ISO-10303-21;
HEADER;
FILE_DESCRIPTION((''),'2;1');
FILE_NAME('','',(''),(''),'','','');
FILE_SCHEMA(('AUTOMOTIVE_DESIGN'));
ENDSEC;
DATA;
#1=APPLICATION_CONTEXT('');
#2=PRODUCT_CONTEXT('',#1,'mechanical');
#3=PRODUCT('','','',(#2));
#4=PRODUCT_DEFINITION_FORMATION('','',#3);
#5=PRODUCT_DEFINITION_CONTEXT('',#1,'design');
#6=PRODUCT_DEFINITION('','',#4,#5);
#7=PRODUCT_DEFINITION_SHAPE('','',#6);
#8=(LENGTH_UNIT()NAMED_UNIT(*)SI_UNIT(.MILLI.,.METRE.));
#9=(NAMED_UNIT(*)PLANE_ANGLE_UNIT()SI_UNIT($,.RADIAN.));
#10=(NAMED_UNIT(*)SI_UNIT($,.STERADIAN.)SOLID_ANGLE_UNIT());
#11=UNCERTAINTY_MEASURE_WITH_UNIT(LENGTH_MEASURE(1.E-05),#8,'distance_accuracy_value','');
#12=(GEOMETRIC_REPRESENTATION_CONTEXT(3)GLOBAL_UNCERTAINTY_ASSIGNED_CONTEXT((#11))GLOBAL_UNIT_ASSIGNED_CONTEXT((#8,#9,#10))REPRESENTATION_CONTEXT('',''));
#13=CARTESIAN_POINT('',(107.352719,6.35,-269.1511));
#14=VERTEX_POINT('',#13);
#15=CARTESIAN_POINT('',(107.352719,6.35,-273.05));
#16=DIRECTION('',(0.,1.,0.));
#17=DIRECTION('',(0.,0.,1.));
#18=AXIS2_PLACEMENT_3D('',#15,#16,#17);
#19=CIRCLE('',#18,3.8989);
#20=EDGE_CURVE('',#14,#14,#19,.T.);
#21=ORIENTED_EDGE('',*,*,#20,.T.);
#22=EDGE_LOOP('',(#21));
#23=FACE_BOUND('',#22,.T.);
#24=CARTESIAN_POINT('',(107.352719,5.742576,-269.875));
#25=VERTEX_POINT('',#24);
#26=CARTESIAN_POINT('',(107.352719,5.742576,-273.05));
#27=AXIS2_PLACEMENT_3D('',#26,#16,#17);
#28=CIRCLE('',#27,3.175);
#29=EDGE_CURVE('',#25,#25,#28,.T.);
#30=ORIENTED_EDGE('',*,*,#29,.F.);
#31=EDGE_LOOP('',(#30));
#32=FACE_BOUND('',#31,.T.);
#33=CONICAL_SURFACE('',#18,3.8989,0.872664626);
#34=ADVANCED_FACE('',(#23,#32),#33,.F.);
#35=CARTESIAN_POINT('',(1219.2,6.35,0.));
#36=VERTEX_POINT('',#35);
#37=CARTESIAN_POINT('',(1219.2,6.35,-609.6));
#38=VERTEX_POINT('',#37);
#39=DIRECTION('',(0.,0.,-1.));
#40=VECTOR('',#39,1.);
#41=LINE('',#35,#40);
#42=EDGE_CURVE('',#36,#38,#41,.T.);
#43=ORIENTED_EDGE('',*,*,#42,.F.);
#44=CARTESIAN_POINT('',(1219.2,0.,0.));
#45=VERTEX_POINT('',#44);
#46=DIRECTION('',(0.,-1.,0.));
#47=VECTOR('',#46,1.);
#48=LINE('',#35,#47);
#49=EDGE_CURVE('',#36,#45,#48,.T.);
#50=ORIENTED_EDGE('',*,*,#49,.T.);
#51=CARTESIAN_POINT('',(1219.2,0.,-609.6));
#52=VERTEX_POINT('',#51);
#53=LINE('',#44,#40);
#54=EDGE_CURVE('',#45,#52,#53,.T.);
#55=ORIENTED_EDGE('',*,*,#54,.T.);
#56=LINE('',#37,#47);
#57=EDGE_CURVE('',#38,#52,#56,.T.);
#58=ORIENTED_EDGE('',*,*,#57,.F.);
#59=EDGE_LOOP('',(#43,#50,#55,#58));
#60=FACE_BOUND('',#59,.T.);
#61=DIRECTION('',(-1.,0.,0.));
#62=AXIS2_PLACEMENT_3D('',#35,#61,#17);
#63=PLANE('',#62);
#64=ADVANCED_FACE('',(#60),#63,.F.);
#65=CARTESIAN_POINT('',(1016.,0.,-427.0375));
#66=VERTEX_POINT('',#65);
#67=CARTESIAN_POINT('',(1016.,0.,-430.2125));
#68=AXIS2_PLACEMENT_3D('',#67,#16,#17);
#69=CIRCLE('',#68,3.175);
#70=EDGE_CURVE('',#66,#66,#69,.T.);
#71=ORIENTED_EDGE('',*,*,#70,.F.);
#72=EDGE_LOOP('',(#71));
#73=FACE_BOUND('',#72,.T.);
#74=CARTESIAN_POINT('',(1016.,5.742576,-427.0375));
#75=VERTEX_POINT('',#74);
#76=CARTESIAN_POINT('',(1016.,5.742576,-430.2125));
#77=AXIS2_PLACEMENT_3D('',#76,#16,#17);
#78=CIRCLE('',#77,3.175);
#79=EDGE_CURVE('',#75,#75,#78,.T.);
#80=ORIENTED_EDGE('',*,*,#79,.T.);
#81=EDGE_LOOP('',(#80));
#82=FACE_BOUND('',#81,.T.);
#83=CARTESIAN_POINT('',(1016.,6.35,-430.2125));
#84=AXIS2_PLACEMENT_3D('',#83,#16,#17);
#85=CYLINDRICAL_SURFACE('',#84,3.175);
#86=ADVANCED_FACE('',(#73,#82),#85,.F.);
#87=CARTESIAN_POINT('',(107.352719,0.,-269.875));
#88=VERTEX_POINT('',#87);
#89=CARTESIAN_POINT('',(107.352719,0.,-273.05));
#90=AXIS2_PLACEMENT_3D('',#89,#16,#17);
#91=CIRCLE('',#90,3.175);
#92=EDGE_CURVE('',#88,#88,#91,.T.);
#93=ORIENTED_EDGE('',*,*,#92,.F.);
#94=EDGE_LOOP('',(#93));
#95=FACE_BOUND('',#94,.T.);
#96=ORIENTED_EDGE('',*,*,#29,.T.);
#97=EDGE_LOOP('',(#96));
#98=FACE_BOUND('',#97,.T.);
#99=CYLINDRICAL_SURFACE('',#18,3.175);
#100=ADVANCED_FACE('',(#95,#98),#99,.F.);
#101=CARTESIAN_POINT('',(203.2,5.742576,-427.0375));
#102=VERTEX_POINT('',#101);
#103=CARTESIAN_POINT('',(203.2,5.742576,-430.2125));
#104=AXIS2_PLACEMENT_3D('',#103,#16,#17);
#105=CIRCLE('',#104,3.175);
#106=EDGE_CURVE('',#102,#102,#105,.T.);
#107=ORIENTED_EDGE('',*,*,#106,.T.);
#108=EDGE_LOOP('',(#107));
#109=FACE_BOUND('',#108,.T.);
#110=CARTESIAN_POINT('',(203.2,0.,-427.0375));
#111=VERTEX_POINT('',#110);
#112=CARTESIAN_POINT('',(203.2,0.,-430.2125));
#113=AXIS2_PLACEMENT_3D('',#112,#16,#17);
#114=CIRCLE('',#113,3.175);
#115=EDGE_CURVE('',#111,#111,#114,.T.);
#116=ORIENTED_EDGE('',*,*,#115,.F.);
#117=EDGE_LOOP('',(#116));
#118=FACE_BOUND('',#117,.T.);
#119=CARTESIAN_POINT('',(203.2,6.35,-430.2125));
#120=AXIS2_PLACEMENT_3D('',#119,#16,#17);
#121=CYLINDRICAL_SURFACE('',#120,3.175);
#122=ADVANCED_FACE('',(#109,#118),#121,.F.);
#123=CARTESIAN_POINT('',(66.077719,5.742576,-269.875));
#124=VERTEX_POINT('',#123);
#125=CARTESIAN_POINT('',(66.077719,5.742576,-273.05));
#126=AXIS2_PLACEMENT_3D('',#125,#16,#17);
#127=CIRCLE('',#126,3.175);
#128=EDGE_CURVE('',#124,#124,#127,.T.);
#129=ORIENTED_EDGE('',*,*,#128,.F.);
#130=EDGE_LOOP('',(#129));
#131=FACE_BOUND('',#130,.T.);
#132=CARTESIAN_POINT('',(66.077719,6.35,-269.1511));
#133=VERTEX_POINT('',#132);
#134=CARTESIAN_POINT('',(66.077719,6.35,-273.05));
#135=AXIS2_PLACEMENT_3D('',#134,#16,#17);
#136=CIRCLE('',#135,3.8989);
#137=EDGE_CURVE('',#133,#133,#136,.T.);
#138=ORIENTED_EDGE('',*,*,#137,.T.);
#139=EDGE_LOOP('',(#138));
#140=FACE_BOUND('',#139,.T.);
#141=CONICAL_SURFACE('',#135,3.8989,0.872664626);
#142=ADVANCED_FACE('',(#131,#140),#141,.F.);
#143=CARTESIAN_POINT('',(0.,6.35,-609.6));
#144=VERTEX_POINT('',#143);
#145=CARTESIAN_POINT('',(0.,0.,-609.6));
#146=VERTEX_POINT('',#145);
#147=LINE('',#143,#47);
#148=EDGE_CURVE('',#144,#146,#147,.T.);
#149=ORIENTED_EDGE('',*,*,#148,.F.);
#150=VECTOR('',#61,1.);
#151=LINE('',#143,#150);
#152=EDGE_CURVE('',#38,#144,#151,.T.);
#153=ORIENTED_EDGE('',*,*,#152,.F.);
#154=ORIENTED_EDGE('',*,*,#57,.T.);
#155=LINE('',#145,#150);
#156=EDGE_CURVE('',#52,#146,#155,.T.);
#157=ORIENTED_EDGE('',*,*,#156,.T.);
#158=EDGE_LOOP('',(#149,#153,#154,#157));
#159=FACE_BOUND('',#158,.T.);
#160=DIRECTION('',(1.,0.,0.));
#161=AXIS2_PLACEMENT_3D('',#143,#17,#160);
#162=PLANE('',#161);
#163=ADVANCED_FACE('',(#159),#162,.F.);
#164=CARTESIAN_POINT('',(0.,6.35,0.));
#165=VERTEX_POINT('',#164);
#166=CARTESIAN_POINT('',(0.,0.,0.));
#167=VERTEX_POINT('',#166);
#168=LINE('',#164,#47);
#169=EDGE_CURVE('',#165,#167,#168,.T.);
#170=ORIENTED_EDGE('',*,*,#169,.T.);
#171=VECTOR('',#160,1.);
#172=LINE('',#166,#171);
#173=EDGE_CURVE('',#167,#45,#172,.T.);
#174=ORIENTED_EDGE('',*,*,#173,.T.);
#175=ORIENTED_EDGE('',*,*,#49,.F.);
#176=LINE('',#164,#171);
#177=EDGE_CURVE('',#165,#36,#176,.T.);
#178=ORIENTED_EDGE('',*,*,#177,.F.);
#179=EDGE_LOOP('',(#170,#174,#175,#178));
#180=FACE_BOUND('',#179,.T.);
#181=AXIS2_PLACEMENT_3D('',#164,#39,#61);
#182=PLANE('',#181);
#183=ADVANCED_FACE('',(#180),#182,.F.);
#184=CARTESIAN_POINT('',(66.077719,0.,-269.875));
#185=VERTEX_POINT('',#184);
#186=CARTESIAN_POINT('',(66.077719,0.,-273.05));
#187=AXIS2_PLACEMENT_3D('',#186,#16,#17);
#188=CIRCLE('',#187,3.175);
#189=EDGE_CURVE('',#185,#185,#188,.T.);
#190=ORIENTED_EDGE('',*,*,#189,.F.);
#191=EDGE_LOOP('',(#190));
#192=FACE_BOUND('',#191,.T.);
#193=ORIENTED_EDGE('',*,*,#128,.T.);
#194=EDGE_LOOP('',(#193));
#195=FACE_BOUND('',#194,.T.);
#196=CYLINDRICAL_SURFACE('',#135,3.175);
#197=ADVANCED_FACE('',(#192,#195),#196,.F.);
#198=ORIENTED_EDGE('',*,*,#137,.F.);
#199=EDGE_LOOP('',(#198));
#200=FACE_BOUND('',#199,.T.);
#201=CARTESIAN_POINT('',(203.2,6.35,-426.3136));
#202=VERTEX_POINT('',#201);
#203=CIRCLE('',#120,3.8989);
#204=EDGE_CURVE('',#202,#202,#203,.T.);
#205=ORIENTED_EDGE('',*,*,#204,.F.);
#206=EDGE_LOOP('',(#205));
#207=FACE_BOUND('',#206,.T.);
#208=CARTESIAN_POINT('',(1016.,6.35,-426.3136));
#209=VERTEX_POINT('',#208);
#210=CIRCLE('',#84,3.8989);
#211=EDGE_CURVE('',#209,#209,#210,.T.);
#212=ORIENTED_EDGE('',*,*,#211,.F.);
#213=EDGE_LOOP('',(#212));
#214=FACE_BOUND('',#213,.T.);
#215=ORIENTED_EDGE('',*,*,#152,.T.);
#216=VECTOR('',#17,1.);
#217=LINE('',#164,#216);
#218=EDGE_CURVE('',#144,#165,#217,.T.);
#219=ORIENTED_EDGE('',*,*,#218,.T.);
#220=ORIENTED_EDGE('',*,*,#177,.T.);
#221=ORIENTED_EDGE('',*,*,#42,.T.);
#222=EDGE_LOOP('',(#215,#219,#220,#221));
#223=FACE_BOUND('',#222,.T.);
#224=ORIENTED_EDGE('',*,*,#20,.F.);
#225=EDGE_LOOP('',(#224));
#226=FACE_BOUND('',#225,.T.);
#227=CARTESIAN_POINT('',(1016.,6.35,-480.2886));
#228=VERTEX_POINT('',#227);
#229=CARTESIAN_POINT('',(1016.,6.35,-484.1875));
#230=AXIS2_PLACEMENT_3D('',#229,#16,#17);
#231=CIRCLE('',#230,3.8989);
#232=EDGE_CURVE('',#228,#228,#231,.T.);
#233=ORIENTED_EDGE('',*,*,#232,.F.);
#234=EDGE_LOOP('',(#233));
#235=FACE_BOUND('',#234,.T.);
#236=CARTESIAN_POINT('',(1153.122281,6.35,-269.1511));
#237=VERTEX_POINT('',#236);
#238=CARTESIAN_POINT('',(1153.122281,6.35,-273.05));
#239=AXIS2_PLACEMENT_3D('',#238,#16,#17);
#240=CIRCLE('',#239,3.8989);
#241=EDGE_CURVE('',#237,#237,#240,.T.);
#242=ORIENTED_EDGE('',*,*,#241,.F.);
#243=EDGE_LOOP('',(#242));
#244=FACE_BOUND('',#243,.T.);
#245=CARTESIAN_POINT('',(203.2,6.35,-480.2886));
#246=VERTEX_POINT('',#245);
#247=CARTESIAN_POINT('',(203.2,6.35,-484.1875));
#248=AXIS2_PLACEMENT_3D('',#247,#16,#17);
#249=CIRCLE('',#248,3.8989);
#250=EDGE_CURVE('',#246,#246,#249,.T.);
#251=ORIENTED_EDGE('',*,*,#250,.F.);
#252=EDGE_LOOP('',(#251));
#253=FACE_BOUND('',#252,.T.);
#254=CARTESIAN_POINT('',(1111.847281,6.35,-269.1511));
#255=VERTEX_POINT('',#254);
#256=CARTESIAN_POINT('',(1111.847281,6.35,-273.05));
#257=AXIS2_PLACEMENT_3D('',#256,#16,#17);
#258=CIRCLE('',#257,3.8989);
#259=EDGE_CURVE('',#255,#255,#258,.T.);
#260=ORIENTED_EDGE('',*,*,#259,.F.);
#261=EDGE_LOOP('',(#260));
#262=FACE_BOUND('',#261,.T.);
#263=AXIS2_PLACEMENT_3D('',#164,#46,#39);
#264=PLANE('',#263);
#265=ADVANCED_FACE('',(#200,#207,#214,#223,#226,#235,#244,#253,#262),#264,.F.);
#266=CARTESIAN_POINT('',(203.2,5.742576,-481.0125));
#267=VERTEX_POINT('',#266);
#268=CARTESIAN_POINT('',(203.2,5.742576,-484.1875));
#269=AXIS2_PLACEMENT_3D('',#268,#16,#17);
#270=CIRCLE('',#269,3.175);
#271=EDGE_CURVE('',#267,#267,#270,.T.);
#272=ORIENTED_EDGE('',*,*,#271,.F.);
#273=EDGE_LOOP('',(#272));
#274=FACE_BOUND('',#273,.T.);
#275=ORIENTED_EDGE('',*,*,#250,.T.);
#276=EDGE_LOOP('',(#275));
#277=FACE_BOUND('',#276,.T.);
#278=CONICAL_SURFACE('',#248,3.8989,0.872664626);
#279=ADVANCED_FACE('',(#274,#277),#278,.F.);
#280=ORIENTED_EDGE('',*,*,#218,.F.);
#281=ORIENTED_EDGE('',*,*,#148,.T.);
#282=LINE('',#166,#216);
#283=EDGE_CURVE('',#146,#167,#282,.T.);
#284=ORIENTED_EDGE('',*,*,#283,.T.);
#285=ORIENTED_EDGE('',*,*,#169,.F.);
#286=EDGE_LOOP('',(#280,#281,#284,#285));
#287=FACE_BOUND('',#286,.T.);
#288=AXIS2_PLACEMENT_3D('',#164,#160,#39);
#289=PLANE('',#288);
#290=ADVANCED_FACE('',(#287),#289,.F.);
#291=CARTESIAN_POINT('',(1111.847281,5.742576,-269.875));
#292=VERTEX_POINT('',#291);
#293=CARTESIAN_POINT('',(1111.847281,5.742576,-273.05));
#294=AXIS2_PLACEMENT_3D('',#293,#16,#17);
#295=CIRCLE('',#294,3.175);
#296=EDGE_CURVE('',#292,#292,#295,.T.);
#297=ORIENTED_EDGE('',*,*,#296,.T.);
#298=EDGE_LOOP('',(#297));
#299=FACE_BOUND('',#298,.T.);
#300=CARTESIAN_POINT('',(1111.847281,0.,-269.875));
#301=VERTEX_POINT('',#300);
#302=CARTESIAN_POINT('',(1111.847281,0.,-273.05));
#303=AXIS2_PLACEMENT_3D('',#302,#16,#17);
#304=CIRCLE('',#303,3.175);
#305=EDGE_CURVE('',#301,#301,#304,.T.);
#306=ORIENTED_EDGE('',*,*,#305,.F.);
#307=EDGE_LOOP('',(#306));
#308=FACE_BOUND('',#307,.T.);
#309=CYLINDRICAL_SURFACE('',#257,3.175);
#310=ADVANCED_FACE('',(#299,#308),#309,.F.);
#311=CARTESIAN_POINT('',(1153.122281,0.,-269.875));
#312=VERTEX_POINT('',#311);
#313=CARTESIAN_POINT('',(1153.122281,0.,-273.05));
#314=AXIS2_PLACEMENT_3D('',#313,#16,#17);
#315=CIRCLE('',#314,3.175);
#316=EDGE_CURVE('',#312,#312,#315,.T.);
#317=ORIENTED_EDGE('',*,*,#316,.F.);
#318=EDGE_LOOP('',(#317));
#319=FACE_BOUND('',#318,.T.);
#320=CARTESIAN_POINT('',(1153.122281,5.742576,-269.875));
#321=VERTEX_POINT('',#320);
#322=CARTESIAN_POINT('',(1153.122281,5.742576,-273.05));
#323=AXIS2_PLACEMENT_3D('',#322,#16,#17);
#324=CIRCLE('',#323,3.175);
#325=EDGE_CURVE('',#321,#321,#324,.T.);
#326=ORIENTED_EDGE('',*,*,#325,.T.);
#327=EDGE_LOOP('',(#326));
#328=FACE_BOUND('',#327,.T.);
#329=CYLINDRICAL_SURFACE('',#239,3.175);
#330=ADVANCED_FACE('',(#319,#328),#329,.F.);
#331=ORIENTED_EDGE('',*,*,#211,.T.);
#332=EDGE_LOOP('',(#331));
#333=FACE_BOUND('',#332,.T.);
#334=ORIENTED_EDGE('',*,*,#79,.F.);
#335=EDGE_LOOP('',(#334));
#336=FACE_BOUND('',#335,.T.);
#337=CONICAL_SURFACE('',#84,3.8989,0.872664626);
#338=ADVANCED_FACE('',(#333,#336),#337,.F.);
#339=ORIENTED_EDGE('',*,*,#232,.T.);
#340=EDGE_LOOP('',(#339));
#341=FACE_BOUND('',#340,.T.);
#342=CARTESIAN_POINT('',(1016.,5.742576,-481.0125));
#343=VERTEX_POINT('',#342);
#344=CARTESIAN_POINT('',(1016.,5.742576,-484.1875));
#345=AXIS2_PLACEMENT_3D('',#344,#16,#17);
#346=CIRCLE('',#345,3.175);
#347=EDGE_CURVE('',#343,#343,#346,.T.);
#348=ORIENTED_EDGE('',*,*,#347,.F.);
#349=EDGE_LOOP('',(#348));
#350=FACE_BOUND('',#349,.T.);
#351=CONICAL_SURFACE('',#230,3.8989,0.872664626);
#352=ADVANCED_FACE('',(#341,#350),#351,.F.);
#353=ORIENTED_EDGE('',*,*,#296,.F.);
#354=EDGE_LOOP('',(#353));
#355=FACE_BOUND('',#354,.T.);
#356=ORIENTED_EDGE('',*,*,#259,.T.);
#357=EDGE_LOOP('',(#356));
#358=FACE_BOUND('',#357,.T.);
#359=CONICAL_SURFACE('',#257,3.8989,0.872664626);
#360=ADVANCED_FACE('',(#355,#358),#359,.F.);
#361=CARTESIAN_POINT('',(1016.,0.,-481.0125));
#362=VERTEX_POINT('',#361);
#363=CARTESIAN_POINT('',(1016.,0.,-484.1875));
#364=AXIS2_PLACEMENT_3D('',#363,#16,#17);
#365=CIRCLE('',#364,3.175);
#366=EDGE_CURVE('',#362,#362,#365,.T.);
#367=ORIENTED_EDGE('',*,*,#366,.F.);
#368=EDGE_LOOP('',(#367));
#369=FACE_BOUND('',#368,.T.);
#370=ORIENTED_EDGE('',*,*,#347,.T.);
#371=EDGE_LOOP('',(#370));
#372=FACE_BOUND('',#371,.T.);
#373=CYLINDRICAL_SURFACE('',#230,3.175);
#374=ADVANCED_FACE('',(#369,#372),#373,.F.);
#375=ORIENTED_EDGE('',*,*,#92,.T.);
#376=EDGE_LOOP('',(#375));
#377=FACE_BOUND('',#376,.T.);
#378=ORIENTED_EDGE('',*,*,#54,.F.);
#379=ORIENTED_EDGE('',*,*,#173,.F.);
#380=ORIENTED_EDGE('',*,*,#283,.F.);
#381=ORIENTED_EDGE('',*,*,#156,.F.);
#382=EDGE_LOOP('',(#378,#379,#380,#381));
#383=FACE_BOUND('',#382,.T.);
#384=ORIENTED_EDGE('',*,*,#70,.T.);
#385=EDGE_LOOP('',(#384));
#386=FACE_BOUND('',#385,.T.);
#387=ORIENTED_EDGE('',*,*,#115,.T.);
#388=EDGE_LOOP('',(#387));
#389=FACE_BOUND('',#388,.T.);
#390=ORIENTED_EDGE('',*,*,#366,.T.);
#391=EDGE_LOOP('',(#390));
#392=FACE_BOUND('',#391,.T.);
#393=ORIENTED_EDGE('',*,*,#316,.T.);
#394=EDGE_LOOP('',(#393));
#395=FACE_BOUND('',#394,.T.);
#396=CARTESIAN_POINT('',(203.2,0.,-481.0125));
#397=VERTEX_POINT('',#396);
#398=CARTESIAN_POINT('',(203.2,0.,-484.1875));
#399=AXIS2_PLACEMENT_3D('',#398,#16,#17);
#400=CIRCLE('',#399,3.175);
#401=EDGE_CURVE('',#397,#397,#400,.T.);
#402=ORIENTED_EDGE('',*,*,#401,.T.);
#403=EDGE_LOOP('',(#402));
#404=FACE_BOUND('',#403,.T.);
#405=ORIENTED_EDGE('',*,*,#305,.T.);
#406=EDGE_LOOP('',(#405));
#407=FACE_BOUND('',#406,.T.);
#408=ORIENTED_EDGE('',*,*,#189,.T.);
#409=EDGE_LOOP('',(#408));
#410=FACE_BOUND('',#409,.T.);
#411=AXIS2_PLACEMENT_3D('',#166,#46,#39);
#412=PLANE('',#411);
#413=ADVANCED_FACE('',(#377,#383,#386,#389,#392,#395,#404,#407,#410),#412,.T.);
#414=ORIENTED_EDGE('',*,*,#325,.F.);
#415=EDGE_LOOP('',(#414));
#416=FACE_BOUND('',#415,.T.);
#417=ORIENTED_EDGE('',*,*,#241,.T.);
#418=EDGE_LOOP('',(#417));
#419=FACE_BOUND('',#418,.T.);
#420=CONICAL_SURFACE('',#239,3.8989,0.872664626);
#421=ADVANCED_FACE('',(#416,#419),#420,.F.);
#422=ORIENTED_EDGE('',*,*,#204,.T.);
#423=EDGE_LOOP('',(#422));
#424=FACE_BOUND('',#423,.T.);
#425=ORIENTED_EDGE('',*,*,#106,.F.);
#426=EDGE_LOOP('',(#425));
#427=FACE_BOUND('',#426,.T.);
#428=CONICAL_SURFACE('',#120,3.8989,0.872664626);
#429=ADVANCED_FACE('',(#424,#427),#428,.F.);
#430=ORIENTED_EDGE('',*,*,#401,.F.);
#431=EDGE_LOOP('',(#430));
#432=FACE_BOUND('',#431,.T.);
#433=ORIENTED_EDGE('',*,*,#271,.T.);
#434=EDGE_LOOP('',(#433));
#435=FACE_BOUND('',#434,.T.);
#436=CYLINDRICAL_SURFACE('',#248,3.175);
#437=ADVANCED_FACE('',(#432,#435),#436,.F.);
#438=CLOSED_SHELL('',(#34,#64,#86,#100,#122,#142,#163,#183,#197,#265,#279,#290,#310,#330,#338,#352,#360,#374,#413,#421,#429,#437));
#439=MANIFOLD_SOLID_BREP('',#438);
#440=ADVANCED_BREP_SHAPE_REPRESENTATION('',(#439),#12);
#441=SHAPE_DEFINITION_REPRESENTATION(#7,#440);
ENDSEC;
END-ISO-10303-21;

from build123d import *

# Parameters (mm, degrees)
SKETCH1_W                             = 1219.2
SKETCH1_H                             = 609.6
BOSS_EXTRUDE1_DEPTH                   = 6.35
F_1_4_0_25_DIAMETER_HOLE1_D           = 6.35
F_1_4_0_25_DIAMETER_HOLE1_CSINK_D     = 7.7978
F_1_4_0_25_DIAMETER_HOLE1_CSINK_ANGLE = 100


with BuildPart() as part:
    # Sketch1 → Boss-Extrude1 (new body)
    with BuildSketch(Plane(origin=(0, 0, 0), x_dir=(1, 0, 0), z_dir=(0, 1, 0))):
        with Locations((609.6, 304.8)):
            Rectangle(SKETCH1_W, SKETCH1_H)
    extrude(amount=BOSS_EXTRUDE1_DEPTH)

    # 1/4 (0.25) Diameter Hole1 (through all)
    with Locations(Plane(origin=(0, 6.35, 0), x_dir=(1, 0, 0), z_dir=(0, 1, 0))):
        with Locations((66.077719, 273.05), (107.352719, 273.05), (203.2, 484.1875), (203.2, 430.2125), (1016, 484.1875), (1016, 430.2125), (1111.847281, 273.05), (1153.122281, 273.05)):
            CounterSinkHole(F_1_4_0_25_DIAMETER_HOLE1_D / 2, F_1_4_0_25_DIAMETER_HOLE1_CSINK_D / 2, counter_sink_angle=F_1_4_0_25_DIAMETER_HOLE1_CSINK_ANGLE)


solid = part.part
